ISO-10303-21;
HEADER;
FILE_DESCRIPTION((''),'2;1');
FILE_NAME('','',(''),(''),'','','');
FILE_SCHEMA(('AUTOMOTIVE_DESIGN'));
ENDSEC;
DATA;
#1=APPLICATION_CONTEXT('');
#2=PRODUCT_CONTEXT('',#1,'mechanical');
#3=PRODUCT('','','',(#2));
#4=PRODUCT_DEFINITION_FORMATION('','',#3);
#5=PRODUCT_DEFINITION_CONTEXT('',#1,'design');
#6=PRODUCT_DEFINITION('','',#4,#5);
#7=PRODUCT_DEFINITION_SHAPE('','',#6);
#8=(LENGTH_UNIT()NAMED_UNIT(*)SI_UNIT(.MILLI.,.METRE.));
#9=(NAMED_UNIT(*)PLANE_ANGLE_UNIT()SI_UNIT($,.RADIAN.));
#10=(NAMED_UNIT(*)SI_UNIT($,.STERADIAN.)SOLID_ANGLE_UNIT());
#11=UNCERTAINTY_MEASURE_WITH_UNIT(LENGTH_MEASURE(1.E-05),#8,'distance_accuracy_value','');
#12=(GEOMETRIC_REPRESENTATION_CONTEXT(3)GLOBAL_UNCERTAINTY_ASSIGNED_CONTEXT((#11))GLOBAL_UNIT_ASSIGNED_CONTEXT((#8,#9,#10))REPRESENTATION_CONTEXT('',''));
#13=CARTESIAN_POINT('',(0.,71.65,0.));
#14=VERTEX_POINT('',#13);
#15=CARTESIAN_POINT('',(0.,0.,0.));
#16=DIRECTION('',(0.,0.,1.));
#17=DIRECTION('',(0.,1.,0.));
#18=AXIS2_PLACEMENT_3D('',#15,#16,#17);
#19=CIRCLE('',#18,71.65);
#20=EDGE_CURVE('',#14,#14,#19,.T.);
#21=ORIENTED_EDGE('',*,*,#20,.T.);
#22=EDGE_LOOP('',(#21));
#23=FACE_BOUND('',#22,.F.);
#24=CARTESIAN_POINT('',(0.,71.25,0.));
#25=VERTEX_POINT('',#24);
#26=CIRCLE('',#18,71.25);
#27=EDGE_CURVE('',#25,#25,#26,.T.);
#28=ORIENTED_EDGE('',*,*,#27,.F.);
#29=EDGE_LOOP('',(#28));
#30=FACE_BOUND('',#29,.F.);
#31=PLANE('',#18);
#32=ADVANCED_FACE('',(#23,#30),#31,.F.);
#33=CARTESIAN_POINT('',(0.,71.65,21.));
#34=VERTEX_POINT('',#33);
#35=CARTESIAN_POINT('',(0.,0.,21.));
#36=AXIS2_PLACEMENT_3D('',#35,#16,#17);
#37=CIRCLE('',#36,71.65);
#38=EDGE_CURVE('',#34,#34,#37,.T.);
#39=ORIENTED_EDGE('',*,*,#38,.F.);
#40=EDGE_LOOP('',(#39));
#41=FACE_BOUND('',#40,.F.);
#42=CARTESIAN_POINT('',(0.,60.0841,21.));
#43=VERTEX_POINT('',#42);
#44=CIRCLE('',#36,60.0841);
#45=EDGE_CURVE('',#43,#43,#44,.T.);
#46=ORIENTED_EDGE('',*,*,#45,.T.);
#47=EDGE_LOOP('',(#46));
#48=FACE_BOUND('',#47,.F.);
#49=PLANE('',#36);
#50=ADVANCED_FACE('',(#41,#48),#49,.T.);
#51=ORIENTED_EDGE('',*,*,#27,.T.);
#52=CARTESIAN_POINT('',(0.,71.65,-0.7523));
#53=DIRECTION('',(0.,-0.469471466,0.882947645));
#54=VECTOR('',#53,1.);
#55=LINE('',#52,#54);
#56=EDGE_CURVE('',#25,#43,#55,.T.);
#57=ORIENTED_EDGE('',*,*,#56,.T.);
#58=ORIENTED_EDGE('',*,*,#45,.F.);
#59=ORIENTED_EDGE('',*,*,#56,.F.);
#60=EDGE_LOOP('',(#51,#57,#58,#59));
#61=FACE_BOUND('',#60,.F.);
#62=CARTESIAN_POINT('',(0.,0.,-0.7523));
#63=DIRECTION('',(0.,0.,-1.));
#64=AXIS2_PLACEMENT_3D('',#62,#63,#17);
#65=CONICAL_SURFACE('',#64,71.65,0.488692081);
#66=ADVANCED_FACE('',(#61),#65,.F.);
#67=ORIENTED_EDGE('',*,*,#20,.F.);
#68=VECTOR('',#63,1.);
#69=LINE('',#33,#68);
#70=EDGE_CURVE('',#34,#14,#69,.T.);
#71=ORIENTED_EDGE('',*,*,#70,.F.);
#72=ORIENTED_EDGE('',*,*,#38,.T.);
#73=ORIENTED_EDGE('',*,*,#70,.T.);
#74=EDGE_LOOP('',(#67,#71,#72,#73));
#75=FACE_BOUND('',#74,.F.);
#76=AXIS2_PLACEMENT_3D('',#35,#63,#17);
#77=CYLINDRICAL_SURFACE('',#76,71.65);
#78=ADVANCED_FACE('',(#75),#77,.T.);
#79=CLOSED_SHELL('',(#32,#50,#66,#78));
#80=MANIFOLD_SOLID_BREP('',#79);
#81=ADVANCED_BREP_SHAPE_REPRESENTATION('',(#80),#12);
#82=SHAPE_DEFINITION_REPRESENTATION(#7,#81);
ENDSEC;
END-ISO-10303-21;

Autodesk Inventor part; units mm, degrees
ref_plane "YZ Plane" through (0, 0, 0) normal (1, 0, 0) x (0, 1, 0)
ref_plane "XZ Plane" through (0, 0, 0) normal (0, 1, 0) x (-1, 0, 0)
ref_plane "XY Plane" through (0, 0, 0) normal (0, 0, 1) x (1, 0, 0)
sketch "Sketch1" plane through (0, 0, 0) normal (1, 0, 0) x (0, 1, 0)
  line L0 (71.65, -0.7523) -> (60.0841, 21)
  line L1 (60.0841, 21) -> (71.65, 21)
  line L2 (71.65, 21) -> (71.65, -0.7523)
  line L3 (-14.33, 0) -> (85.98, 0) projected
  line L4 (0, -5.1027) -> (0, 25.3505) projected
  line L5 (71.65, 0) -> (71.25, 0)
  point P0 (0, 0)
  point P1 (71.65, 0)
  dimension "d0" = 28
  dimension "d2" = 71.65
  dimension "d4" = 0.4
  dimension "d5" = 21
revolve "Revolution1" add sketch "Sketch1" angle 360 about axis through (0, 0, -10) along (0, 0, 1) contours L0 L1 L2 L3
properties part number "Ring" material "Polytetrafluoroethylene"
